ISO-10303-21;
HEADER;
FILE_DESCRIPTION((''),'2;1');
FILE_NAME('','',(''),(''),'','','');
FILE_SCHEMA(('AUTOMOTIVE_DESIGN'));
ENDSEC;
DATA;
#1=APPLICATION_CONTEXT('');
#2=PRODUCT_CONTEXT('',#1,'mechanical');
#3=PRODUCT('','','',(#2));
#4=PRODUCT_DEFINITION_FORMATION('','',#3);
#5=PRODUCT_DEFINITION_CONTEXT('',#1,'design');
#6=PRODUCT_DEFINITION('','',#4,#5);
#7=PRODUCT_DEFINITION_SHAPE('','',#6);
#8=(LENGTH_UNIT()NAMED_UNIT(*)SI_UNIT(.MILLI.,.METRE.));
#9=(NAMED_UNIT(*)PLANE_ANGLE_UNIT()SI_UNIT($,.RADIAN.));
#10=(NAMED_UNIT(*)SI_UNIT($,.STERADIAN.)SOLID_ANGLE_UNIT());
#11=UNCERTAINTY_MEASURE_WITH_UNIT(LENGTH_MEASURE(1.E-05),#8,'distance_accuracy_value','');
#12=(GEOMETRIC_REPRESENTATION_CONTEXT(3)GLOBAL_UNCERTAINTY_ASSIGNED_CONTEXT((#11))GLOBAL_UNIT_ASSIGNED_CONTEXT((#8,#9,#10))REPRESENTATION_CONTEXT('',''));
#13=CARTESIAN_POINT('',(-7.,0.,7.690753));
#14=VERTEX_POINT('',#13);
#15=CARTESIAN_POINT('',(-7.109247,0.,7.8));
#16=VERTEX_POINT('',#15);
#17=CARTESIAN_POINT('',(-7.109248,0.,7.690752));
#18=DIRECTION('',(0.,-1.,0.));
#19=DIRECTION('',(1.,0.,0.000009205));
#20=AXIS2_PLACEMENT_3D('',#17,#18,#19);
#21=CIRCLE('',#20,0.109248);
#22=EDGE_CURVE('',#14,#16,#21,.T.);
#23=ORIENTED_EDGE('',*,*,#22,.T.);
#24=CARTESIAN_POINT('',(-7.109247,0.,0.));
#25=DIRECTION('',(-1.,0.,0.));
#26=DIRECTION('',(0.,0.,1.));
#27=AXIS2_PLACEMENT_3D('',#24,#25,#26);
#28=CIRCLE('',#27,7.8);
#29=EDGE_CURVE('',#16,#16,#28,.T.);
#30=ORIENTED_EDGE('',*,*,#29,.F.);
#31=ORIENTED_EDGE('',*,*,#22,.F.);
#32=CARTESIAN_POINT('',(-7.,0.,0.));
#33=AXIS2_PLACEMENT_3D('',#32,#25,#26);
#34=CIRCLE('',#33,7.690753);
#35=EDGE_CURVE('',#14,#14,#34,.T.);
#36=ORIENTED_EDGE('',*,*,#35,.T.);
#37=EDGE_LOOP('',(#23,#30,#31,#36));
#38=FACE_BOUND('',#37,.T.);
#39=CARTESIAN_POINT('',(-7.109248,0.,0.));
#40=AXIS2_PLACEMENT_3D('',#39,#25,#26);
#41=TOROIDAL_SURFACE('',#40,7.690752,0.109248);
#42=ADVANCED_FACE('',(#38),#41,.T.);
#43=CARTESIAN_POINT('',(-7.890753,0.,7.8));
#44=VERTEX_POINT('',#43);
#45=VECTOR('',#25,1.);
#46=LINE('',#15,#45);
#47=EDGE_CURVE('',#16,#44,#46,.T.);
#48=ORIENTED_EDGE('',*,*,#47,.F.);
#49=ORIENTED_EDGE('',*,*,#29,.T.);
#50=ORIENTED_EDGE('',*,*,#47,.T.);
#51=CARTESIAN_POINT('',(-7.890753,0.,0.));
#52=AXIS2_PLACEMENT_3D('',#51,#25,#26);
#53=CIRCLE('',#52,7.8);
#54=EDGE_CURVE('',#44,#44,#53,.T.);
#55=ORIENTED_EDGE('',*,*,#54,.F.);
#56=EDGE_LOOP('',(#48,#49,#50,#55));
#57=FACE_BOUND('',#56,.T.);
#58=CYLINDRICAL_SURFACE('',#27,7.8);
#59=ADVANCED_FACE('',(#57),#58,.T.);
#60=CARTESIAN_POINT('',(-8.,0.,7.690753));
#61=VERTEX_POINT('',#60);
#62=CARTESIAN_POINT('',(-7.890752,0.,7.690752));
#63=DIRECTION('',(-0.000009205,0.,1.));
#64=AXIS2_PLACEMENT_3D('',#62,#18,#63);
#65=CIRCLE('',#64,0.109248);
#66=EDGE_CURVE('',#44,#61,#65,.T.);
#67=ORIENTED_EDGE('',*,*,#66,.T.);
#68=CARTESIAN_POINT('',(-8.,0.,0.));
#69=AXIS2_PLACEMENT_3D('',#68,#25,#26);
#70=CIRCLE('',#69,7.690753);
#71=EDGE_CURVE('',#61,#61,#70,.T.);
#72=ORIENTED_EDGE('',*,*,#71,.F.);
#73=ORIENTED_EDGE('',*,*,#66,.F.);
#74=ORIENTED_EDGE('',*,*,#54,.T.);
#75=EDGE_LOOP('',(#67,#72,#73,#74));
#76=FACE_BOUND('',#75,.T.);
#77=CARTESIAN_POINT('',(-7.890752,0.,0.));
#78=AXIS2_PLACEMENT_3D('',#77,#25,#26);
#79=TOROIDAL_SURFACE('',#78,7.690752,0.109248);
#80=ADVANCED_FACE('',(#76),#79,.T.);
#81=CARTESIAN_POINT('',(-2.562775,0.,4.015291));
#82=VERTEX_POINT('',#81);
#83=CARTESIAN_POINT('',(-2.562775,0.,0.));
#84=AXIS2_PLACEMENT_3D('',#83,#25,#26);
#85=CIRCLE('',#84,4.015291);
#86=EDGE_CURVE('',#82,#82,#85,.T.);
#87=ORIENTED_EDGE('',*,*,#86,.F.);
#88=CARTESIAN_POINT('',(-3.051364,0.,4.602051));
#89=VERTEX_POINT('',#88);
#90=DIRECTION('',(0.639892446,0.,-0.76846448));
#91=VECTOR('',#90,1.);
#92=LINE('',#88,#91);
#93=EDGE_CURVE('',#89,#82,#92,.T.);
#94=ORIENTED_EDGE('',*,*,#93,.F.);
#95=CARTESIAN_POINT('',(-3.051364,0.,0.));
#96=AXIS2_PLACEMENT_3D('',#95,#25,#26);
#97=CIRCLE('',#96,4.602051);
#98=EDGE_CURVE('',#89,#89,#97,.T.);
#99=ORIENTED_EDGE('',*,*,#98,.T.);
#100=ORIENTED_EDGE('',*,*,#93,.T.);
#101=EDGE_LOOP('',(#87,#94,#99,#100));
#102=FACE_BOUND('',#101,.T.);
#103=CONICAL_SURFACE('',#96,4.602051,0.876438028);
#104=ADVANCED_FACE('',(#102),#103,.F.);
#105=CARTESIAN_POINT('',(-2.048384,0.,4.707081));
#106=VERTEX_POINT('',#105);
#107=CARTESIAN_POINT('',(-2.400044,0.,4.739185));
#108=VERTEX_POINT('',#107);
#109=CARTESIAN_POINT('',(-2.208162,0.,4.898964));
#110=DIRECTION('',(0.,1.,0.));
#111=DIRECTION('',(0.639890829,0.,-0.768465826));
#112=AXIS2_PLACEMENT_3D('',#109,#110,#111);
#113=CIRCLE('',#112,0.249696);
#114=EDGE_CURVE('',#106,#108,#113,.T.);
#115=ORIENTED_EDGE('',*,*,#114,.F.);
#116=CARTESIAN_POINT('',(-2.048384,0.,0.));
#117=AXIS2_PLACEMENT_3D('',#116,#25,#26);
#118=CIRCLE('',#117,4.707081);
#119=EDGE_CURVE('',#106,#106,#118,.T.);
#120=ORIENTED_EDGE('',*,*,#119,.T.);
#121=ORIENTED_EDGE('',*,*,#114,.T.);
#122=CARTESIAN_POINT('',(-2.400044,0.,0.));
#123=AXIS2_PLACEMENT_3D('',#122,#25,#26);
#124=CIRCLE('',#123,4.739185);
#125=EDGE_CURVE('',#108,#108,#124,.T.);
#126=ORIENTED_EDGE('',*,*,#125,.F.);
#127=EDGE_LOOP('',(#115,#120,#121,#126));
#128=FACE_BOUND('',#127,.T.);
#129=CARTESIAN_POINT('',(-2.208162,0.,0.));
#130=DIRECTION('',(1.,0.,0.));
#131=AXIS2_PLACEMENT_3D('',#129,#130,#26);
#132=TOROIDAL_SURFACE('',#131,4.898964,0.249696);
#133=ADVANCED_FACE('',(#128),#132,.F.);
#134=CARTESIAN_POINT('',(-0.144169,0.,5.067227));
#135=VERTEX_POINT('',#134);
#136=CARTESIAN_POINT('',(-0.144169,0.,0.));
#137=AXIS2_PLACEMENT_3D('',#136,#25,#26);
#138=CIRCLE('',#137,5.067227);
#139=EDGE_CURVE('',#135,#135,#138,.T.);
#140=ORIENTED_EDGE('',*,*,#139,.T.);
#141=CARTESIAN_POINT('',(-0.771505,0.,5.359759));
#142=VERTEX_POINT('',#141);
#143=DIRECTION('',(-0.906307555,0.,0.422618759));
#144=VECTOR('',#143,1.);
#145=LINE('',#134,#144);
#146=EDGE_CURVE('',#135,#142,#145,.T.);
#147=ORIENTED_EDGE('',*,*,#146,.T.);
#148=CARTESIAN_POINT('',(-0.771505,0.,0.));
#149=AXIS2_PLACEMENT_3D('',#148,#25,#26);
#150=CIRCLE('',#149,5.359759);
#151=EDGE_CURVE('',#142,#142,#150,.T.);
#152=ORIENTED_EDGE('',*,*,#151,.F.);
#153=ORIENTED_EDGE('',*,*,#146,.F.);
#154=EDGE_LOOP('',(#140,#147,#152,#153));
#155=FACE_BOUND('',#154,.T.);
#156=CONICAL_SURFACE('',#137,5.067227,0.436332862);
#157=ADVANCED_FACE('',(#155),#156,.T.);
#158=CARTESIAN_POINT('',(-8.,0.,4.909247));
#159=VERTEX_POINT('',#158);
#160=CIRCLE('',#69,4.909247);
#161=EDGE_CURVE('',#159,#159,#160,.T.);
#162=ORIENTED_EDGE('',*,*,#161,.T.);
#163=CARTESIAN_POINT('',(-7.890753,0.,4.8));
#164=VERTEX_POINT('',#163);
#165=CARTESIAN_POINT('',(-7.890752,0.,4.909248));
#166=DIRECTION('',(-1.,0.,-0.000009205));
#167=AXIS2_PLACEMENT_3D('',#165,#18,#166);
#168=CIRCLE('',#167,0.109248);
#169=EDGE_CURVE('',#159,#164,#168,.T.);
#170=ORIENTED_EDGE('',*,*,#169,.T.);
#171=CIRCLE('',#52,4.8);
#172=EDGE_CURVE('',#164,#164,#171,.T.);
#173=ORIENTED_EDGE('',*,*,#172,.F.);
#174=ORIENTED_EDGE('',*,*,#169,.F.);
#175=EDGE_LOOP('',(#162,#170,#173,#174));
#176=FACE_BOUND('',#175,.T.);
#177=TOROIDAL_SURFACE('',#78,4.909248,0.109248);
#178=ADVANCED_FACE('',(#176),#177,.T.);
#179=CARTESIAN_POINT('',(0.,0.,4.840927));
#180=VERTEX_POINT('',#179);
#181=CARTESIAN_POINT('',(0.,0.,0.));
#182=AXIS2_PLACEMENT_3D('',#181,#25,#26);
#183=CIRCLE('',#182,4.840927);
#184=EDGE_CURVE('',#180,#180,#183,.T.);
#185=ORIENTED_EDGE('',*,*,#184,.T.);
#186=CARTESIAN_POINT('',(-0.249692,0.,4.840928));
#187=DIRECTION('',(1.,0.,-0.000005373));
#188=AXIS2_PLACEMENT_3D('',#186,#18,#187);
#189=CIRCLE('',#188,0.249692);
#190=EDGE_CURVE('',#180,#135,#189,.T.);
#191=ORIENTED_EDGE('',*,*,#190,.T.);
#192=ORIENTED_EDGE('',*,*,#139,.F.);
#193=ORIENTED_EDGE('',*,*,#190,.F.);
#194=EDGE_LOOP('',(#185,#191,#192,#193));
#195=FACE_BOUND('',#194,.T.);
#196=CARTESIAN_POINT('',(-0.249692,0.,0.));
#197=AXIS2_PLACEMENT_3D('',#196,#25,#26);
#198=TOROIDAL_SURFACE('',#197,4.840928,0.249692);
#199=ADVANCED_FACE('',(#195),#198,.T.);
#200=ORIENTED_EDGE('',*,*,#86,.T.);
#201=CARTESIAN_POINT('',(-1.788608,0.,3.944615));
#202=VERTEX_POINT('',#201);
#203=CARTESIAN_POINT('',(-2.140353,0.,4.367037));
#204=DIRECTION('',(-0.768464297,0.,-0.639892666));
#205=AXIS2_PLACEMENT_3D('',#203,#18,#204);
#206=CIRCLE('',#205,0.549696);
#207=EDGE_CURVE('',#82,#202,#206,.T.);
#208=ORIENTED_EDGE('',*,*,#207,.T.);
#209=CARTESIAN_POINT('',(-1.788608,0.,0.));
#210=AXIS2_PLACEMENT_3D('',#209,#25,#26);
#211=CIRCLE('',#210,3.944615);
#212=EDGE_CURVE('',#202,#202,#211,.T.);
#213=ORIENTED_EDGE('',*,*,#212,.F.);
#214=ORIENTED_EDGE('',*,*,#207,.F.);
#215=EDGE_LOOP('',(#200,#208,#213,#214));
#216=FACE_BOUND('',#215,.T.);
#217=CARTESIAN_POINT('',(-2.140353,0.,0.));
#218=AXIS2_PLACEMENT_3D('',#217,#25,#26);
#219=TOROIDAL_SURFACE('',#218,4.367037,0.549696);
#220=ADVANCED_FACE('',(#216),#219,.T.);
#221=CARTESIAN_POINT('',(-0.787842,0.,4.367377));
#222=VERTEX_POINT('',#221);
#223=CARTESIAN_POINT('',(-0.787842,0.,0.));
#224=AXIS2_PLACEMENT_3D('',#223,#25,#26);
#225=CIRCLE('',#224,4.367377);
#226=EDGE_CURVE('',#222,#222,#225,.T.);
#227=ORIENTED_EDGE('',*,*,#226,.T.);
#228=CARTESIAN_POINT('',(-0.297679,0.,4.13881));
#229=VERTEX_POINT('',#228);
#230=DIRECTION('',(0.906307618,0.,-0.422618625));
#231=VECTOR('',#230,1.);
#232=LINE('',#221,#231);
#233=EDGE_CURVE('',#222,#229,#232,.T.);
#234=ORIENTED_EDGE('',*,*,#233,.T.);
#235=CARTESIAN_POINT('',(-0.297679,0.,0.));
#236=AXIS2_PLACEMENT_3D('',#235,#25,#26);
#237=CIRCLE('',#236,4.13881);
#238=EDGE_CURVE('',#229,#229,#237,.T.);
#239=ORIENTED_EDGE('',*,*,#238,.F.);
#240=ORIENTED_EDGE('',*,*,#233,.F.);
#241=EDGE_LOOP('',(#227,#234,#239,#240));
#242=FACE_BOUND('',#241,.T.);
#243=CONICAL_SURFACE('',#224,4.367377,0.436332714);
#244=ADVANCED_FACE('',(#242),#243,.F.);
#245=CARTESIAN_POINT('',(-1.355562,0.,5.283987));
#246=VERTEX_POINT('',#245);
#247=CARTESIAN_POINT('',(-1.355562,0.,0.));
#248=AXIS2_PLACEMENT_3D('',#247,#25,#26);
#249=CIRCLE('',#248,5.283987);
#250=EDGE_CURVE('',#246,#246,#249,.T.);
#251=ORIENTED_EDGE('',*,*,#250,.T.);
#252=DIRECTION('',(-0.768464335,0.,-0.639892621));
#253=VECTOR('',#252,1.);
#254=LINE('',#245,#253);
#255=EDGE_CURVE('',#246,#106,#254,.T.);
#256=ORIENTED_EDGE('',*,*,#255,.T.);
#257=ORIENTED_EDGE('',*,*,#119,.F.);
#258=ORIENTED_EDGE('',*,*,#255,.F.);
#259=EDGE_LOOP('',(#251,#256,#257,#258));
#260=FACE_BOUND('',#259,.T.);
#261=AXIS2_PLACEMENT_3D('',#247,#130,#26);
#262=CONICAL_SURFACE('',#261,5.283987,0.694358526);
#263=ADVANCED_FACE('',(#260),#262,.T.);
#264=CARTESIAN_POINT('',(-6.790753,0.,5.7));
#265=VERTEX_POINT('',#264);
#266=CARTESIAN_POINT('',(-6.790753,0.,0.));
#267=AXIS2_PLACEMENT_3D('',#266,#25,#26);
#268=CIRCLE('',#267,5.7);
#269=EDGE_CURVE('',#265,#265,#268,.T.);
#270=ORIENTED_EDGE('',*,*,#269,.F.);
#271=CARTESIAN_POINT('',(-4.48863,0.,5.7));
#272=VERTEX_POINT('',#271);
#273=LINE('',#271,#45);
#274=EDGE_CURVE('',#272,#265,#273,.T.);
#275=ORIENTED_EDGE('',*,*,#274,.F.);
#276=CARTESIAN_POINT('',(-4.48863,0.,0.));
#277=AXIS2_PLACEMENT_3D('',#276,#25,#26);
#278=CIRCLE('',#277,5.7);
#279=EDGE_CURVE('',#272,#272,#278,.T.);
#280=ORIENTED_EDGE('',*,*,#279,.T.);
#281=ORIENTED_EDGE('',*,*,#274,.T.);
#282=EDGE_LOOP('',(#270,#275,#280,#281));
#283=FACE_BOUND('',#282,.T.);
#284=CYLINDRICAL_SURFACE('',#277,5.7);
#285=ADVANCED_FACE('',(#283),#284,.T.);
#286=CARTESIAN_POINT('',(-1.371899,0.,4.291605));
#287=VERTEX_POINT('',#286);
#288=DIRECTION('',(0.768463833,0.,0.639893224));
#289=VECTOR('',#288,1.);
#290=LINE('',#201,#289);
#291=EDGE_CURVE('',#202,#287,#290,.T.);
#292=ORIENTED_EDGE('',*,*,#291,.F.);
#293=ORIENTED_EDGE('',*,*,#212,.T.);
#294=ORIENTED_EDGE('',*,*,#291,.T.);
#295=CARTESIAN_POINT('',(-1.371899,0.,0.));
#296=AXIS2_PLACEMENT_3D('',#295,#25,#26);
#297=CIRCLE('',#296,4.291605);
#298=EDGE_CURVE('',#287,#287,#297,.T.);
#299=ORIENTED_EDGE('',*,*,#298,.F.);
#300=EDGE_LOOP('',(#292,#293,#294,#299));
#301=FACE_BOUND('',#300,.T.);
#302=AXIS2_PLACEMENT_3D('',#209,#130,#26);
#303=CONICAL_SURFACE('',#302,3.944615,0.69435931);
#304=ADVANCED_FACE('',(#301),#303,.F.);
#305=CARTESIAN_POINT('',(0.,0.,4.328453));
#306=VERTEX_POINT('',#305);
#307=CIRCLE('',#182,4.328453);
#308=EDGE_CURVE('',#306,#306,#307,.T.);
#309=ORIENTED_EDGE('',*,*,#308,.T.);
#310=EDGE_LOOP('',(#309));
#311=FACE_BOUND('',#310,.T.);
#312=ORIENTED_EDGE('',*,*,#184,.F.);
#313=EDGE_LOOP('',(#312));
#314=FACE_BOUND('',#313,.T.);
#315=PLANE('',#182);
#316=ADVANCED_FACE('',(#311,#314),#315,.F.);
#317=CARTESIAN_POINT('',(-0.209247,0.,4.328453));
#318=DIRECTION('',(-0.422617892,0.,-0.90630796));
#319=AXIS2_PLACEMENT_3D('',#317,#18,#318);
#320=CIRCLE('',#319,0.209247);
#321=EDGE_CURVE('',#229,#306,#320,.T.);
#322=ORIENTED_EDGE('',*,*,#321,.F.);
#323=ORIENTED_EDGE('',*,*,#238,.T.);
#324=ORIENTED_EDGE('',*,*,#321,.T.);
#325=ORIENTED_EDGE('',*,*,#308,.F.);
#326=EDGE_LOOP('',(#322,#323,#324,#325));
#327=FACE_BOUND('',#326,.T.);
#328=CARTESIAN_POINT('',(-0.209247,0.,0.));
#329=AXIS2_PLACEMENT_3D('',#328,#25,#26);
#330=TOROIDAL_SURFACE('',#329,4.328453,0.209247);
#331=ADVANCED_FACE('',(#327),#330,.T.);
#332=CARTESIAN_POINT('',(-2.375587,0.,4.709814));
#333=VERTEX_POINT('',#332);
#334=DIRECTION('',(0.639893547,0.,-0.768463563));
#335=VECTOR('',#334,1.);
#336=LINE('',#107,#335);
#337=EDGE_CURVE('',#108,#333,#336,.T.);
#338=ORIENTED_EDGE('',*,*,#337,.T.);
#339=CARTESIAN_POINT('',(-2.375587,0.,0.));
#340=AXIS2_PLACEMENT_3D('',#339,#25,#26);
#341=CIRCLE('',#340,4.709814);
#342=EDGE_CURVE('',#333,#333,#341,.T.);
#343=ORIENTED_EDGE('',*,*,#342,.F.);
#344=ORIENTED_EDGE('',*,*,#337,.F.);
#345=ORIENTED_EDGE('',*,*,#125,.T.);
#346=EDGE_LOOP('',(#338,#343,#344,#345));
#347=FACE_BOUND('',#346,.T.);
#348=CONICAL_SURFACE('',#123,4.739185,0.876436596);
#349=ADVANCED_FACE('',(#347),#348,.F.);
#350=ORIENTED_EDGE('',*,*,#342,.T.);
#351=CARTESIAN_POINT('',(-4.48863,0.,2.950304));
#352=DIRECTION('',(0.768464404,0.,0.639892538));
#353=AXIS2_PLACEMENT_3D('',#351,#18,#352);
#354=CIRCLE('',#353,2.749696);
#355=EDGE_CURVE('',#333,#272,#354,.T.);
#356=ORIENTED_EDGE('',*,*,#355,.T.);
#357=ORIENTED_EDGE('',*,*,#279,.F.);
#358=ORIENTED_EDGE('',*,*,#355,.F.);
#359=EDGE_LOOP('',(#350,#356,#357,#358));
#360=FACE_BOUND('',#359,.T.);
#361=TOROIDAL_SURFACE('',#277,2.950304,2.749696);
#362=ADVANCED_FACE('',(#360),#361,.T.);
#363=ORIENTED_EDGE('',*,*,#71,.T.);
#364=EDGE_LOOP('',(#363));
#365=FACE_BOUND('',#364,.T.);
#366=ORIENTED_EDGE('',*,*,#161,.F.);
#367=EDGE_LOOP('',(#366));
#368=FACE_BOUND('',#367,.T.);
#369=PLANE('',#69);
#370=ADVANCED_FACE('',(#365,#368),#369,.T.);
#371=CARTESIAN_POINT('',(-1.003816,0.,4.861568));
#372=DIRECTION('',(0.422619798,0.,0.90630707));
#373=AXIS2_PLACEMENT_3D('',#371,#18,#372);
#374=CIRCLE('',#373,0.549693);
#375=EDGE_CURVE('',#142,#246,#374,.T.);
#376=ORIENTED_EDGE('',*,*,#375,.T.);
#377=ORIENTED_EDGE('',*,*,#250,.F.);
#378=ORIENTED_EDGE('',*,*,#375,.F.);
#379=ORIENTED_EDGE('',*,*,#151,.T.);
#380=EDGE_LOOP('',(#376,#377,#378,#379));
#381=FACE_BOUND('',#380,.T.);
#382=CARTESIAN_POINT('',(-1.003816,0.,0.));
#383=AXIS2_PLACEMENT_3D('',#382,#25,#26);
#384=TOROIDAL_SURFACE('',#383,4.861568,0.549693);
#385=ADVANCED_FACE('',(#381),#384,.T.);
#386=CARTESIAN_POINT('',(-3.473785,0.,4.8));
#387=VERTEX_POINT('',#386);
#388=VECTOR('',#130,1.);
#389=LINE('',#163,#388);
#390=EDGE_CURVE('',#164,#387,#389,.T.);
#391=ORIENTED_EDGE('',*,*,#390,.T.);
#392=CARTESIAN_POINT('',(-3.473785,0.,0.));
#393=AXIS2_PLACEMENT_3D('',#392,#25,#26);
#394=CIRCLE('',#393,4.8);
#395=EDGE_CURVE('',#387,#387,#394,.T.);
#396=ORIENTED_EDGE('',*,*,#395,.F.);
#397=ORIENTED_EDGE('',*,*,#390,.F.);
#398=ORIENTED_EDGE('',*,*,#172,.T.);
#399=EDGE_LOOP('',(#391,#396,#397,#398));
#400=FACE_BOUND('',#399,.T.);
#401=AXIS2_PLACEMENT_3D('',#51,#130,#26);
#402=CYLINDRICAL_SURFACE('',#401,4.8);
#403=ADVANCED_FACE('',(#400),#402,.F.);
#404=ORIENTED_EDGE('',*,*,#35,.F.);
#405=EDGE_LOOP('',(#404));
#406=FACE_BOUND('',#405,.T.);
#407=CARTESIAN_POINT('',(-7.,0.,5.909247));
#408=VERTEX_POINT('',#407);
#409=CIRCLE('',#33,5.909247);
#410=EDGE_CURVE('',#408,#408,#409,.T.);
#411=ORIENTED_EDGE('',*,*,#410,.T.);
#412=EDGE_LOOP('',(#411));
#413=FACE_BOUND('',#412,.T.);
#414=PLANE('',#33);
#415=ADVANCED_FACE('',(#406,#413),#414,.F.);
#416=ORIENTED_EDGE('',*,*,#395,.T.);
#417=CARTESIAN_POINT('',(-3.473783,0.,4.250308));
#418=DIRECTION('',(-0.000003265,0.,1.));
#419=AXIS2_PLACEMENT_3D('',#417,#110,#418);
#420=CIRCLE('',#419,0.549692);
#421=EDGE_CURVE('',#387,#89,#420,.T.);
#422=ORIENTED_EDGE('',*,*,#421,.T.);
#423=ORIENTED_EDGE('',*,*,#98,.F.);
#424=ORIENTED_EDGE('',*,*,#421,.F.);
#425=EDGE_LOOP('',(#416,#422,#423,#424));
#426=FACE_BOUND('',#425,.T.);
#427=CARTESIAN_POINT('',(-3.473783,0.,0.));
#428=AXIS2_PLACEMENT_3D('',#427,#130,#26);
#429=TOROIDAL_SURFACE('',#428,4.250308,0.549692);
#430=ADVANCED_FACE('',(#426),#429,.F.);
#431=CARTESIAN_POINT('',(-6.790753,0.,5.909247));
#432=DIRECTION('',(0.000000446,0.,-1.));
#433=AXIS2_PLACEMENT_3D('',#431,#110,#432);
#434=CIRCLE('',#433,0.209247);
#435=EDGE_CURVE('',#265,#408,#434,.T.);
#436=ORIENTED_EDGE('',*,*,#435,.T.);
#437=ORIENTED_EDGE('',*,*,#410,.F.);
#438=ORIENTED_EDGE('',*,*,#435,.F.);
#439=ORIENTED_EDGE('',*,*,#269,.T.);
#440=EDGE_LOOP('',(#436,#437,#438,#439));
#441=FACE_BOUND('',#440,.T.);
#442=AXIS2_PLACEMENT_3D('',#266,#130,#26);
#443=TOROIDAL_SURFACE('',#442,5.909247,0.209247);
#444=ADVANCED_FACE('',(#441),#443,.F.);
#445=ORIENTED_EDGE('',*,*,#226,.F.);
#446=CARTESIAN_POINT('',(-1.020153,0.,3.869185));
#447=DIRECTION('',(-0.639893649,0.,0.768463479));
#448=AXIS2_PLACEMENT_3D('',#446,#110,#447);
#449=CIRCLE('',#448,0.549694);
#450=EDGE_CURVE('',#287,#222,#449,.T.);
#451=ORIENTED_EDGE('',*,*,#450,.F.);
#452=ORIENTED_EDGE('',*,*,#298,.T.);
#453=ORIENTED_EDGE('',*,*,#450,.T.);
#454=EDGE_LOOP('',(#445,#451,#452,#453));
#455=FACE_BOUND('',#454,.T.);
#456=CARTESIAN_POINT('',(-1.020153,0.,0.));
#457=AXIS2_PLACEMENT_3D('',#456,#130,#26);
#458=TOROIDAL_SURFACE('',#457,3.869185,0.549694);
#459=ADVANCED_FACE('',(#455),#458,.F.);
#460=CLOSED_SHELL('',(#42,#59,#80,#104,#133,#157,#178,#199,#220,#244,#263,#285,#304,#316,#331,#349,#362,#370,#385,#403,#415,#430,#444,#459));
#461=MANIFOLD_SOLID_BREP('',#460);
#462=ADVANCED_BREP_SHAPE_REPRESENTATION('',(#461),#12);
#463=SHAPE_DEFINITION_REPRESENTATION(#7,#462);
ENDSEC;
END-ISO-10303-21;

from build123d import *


with BuildPart() as f1:
    # F0 (on Front) → F1 (revolve)
    with BuildSketch(Plane.XZ):
        with BuildLine():
            ThreePointArc((0, 4.840927), (-0.039104, 4.975088), (-0.144169, 5.067227))
            Line((-0.144169, 5.067227), (-0.771505, 5.359759))
            ThreePointArc((-0.771505, 5.359759), (-1.074538, 5.406693), (-1.355562, 5.283987))
            Line((-1.355562, 5.283987), (-2.048384, 4.707081))
            ThreePointArc((-2.048384, 4.707081), (-2.230863, 4.650302), (-2.400044, 4.739185))
            Line((-2.400044, 4.739185), (-2.375587, 4.709814))
            ThreePointArc((-2.375587, 4.709814), (-3.321859, 5.440178), (-4.48863, 5.7))
            Line((-4.48863, 5.7), (-6.790753, 5.7))
            ThreePointArc((-6.790753, 5.7), (-6.938713, 5.761287), (-7, 5.909247))
            Line((-7, 5.909247), (-7, 7.690753))
            ThreePointArc((-7, 7.690753), (-7.031998, 7.768002), (-7.109247, 7.8))
            Line((-7.109247, 7.8), (-7.890753, 7.8))
            ThreePointArc((-7.890753, 7.8), (-7.968002, 7.768002), (-8, 7.690753))
            Line((-8, 7.690753), (-8, 4.909247))
            ThreePointArc((-8, 4.909247), (-7.968002, 4.831998), (-7.890753, 4.8))
            Line((-7.890753, 4.8), (-3.473785, 4.8))
            ThreePointArc((-3.473785, 4.8), (-3.240534, 4.748059), (-3.051364, 4.602051))
            Line((-3.051364, 4.602051), (-2.562775, 4.015291))
            ThreePointArc((-2.562775, 4.015291), (-2.190329, 3.819618), (-1.788608, 3.944615))
            Line((-1.788608, 3.944615), (-1.371899, 4.291605))
            ThreePointArc((-1.371899, 4.291605), (-1.090874, 4.414311), (-0.787842, 4.367377))
            Line((-0.787842, 4.367377), (-0.297679, 4.13881))
            ThreePointArc((-0.297679, 4.13881), (-0.096819, 4.151975), (0, 4.328453))
            Line((0, 4.328453), (0, 4.840927))
        make_face()
    revolve(axis=Axis((-21.787609, 0, 0), (-1, 0, 0)))


solid = f1.part
